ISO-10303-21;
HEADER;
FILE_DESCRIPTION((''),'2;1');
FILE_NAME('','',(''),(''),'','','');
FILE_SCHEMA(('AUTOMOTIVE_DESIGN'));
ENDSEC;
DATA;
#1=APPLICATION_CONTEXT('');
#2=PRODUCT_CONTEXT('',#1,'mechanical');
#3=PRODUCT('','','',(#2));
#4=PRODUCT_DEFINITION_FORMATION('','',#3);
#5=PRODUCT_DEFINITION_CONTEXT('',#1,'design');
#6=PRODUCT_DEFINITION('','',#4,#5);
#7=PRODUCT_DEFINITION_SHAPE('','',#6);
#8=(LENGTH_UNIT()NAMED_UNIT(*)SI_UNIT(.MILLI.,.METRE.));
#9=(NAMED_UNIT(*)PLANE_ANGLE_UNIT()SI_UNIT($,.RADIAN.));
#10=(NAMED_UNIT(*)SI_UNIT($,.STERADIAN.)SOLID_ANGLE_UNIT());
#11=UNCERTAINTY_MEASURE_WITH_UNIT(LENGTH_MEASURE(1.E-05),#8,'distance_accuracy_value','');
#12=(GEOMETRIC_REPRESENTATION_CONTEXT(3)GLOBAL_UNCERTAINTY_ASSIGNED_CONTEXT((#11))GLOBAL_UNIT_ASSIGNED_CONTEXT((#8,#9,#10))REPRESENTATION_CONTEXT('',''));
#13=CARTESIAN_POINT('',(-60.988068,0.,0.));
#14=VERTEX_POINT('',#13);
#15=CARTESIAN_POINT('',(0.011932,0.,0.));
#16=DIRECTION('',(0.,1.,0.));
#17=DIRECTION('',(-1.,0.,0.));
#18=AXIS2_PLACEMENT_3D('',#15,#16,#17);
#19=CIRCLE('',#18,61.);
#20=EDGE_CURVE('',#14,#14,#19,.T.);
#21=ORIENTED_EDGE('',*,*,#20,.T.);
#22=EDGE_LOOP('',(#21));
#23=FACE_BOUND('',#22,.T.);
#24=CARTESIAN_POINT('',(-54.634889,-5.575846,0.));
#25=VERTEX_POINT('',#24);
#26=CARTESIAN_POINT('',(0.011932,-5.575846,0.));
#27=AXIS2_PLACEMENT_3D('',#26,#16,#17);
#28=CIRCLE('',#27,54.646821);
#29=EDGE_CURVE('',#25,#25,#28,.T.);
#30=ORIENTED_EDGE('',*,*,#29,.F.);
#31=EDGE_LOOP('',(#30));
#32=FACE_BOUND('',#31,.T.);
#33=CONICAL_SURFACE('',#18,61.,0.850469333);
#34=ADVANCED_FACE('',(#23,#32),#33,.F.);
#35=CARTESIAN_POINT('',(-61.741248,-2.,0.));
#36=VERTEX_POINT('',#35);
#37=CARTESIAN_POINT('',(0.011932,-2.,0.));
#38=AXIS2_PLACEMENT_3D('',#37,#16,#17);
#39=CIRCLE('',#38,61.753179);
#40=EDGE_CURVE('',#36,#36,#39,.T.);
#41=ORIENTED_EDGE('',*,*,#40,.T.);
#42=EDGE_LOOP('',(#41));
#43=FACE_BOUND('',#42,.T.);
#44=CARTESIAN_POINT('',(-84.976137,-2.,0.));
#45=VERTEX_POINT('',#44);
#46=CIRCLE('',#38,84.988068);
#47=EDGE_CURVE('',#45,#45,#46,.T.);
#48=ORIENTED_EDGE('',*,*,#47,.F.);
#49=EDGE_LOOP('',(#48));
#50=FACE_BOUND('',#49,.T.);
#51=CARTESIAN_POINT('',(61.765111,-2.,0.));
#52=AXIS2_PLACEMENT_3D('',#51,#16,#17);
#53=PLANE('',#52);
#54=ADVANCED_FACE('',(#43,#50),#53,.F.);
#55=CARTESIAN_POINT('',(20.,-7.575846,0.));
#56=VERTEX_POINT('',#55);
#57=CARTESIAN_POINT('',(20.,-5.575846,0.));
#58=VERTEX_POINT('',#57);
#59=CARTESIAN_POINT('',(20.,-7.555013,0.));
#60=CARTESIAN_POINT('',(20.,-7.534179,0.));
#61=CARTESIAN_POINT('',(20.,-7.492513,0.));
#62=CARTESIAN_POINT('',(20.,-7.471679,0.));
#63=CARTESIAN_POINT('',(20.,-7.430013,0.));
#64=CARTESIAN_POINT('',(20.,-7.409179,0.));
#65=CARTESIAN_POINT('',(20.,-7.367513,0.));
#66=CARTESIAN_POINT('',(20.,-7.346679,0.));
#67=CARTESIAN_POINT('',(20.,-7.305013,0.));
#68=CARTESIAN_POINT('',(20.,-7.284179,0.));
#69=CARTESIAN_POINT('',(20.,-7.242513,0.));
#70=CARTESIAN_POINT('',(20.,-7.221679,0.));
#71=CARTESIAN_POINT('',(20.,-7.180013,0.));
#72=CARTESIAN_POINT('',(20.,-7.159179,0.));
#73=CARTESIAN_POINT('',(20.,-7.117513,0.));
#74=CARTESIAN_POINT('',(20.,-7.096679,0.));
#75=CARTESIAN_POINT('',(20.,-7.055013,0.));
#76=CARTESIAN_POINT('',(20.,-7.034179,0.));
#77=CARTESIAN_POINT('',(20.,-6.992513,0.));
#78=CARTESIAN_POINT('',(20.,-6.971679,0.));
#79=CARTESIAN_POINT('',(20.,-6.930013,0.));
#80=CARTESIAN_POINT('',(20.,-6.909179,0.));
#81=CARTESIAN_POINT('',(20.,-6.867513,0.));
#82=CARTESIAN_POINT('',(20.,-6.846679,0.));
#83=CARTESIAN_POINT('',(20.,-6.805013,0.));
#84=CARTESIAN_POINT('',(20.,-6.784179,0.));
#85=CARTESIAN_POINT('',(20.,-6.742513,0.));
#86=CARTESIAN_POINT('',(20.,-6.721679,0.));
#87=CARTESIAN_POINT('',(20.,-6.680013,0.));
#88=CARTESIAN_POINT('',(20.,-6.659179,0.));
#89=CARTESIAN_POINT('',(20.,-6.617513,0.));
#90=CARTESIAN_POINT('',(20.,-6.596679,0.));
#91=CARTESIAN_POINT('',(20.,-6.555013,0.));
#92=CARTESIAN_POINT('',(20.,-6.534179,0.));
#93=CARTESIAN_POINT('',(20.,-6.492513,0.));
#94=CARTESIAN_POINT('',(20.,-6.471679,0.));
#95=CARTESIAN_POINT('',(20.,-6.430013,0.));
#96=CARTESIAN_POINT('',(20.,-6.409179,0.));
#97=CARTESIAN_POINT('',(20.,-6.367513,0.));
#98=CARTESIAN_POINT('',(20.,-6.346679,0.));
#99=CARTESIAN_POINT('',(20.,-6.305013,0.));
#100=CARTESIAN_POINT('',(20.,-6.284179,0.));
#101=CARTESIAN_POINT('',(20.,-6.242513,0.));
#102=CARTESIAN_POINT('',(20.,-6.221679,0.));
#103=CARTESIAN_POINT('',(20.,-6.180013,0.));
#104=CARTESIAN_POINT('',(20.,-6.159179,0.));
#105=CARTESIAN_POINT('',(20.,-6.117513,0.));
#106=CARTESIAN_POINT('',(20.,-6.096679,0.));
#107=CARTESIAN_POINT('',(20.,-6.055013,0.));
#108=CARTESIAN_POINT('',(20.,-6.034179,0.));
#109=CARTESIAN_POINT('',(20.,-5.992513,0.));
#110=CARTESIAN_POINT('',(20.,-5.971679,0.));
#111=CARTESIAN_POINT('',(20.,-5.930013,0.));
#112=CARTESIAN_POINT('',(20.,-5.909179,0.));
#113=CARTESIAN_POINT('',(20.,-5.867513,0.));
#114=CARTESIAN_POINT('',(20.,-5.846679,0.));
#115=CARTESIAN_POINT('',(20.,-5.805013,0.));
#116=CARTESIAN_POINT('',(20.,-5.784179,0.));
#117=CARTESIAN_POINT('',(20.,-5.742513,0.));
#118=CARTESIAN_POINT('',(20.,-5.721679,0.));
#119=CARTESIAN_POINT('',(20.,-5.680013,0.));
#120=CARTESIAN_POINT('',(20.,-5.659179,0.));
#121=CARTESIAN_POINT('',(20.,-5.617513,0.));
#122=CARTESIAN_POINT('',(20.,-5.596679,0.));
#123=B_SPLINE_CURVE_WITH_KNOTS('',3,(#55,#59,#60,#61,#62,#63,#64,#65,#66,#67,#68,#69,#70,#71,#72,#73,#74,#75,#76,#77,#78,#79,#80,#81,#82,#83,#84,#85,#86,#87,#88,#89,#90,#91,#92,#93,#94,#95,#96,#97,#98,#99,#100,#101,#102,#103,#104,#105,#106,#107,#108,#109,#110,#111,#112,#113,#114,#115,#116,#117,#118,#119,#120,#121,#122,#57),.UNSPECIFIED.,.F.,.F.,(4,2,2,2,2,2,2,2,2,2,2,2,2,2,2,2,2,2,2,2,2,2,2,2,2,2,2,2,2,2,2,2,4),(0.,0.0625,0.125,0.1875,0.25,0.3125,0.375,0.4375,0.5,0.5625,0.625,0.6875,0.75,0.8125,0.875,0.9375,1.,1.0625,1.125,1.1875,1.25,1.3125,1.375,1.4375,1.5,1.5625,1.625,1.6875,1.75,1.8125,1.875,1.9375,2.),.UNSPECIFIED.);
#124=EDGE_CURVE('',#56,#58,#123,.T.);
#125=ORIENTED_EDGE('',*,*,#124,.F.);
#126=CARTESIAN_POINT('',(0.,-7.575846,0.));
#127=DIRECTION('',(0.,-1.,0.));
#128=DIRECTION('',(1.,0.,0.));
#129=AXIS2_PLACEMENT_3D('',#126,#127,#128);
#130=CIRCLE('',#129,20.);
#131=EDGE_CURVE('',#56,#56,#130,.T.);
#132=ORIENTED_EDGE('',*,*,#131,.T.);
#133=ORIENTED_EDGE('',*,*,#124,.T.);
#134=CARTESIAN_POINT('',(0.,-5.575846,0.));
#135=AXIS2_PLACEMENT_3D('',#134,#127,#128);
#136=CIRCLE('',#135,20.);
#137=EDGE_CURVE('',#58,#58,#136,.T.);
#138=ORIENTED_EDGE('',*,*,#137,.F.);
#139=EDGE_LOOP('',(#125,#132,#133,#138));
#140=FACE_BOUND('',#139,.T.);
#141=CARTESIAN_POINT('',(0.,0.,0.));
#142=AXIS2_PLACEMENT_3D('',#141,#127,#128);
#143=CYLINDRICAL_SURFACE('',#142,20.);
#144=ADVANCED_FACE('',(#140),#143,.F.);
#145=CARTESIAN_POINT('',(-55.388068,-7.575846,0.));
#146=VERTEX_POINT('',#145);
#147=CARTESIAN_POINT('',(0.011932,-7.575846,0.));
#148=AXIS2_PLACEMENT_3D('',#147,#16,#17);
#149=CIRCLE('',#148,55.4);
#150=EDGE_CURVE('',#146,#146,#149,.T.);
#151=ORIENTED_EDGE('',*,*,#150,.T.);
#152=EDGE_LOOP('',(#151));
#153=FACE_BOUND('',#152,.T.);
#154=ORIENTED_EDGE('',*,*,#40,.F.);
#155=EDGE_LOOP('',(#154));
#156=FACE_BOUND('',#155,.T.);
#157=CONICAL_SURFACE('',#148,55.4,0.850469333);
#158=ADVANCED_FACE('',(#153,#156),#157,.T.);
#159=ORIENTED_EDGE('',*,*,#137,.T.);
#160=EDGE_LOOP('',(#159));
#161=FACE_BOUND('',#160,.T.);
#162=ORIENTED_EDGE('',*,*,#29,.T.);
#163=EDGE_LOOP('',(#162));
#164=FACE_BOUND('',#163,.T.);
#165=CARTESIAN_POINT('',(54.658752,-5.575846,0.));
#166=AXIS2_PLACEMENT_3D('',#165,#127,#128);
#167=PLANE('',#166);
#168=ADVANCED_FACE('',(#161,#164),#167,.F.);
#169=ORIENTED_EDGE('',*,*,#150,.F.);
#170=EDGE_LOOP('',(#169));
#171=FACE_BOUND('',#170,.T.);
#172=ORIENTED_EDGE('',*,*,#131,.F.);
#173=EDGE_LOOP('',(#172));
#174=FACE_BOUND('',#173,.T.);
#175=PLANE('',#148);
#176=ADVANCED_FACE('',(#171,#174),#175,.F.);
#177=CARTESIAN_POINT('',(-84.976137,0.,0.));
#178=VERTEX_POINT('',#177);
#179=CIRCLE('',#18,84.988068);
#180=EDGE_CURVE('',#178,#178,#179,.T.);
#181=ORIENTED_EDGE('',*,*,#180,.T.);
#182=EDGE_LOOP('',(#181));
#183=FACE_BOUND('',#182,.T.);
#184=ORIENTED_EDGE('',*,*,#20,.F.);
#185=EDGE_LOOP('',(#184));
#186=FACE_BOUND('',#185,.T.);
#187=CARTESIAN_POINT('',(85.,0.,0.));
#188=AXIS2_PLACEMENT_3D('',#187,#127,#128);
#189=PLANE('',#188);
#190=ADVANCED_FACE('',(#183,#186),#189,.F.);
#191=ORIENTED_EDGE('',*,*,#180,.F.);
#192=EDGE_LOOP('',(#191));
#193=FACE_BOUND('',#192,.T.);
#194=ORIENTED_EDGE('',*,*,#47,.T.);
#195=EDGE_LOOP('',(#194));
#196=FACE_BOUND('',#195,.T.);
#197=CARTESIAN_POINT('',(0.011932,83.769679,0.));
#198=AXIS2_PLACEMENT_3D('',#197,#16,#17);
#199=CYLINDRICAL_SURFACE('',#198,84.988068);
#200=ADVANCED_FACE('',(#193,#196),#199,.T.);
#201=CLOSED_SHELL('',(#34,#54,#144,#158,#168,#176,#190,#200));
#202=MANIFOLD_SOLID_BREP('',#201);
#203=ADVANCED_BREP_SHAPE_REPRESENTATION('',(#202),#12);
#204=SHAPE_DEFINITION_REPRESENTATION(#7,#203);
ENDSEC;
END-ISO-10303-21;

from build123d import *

# Parameters (mm, degrees)
SKETCH7_R          = 20
CUT_EXTRUDE1_DEPTH = 121.438221623


with BuildPart() as part:
    # Sketch6 → Revolve2 (revolve)
    with BuildSketch(Plane.XY, mode=Mode.PRIVATE) as revolve2_sk:
        Polygon((85, 0), (61.011931512, 0), (54.658752463, -5.575845989), (0.011931512, -5.575845989), (0.011931512, -7.575845989), (55.411931512, -7.575845989), (61.76511056, -2), (85, -2), align=None)
    revolve(revolve2_sk.sketch.rotate(Axis((0.011931512, 83.769679303, 0), (0, -1, 0)), 180), axis=Axis((0.011931512, 83.769679303, 0), (0, -1, 0)))

    # Sketch7 → Cut-Extrude1 (cut, through all)
    with BuildSketch(Plane.XZ.offset(7.575845989)):
        Circle(SKETCH7_R)
    extrude(amount=-CUT_EXTRUDE1_DEPTH, mode=Mode.SUBTRACT)


solid = part.part
